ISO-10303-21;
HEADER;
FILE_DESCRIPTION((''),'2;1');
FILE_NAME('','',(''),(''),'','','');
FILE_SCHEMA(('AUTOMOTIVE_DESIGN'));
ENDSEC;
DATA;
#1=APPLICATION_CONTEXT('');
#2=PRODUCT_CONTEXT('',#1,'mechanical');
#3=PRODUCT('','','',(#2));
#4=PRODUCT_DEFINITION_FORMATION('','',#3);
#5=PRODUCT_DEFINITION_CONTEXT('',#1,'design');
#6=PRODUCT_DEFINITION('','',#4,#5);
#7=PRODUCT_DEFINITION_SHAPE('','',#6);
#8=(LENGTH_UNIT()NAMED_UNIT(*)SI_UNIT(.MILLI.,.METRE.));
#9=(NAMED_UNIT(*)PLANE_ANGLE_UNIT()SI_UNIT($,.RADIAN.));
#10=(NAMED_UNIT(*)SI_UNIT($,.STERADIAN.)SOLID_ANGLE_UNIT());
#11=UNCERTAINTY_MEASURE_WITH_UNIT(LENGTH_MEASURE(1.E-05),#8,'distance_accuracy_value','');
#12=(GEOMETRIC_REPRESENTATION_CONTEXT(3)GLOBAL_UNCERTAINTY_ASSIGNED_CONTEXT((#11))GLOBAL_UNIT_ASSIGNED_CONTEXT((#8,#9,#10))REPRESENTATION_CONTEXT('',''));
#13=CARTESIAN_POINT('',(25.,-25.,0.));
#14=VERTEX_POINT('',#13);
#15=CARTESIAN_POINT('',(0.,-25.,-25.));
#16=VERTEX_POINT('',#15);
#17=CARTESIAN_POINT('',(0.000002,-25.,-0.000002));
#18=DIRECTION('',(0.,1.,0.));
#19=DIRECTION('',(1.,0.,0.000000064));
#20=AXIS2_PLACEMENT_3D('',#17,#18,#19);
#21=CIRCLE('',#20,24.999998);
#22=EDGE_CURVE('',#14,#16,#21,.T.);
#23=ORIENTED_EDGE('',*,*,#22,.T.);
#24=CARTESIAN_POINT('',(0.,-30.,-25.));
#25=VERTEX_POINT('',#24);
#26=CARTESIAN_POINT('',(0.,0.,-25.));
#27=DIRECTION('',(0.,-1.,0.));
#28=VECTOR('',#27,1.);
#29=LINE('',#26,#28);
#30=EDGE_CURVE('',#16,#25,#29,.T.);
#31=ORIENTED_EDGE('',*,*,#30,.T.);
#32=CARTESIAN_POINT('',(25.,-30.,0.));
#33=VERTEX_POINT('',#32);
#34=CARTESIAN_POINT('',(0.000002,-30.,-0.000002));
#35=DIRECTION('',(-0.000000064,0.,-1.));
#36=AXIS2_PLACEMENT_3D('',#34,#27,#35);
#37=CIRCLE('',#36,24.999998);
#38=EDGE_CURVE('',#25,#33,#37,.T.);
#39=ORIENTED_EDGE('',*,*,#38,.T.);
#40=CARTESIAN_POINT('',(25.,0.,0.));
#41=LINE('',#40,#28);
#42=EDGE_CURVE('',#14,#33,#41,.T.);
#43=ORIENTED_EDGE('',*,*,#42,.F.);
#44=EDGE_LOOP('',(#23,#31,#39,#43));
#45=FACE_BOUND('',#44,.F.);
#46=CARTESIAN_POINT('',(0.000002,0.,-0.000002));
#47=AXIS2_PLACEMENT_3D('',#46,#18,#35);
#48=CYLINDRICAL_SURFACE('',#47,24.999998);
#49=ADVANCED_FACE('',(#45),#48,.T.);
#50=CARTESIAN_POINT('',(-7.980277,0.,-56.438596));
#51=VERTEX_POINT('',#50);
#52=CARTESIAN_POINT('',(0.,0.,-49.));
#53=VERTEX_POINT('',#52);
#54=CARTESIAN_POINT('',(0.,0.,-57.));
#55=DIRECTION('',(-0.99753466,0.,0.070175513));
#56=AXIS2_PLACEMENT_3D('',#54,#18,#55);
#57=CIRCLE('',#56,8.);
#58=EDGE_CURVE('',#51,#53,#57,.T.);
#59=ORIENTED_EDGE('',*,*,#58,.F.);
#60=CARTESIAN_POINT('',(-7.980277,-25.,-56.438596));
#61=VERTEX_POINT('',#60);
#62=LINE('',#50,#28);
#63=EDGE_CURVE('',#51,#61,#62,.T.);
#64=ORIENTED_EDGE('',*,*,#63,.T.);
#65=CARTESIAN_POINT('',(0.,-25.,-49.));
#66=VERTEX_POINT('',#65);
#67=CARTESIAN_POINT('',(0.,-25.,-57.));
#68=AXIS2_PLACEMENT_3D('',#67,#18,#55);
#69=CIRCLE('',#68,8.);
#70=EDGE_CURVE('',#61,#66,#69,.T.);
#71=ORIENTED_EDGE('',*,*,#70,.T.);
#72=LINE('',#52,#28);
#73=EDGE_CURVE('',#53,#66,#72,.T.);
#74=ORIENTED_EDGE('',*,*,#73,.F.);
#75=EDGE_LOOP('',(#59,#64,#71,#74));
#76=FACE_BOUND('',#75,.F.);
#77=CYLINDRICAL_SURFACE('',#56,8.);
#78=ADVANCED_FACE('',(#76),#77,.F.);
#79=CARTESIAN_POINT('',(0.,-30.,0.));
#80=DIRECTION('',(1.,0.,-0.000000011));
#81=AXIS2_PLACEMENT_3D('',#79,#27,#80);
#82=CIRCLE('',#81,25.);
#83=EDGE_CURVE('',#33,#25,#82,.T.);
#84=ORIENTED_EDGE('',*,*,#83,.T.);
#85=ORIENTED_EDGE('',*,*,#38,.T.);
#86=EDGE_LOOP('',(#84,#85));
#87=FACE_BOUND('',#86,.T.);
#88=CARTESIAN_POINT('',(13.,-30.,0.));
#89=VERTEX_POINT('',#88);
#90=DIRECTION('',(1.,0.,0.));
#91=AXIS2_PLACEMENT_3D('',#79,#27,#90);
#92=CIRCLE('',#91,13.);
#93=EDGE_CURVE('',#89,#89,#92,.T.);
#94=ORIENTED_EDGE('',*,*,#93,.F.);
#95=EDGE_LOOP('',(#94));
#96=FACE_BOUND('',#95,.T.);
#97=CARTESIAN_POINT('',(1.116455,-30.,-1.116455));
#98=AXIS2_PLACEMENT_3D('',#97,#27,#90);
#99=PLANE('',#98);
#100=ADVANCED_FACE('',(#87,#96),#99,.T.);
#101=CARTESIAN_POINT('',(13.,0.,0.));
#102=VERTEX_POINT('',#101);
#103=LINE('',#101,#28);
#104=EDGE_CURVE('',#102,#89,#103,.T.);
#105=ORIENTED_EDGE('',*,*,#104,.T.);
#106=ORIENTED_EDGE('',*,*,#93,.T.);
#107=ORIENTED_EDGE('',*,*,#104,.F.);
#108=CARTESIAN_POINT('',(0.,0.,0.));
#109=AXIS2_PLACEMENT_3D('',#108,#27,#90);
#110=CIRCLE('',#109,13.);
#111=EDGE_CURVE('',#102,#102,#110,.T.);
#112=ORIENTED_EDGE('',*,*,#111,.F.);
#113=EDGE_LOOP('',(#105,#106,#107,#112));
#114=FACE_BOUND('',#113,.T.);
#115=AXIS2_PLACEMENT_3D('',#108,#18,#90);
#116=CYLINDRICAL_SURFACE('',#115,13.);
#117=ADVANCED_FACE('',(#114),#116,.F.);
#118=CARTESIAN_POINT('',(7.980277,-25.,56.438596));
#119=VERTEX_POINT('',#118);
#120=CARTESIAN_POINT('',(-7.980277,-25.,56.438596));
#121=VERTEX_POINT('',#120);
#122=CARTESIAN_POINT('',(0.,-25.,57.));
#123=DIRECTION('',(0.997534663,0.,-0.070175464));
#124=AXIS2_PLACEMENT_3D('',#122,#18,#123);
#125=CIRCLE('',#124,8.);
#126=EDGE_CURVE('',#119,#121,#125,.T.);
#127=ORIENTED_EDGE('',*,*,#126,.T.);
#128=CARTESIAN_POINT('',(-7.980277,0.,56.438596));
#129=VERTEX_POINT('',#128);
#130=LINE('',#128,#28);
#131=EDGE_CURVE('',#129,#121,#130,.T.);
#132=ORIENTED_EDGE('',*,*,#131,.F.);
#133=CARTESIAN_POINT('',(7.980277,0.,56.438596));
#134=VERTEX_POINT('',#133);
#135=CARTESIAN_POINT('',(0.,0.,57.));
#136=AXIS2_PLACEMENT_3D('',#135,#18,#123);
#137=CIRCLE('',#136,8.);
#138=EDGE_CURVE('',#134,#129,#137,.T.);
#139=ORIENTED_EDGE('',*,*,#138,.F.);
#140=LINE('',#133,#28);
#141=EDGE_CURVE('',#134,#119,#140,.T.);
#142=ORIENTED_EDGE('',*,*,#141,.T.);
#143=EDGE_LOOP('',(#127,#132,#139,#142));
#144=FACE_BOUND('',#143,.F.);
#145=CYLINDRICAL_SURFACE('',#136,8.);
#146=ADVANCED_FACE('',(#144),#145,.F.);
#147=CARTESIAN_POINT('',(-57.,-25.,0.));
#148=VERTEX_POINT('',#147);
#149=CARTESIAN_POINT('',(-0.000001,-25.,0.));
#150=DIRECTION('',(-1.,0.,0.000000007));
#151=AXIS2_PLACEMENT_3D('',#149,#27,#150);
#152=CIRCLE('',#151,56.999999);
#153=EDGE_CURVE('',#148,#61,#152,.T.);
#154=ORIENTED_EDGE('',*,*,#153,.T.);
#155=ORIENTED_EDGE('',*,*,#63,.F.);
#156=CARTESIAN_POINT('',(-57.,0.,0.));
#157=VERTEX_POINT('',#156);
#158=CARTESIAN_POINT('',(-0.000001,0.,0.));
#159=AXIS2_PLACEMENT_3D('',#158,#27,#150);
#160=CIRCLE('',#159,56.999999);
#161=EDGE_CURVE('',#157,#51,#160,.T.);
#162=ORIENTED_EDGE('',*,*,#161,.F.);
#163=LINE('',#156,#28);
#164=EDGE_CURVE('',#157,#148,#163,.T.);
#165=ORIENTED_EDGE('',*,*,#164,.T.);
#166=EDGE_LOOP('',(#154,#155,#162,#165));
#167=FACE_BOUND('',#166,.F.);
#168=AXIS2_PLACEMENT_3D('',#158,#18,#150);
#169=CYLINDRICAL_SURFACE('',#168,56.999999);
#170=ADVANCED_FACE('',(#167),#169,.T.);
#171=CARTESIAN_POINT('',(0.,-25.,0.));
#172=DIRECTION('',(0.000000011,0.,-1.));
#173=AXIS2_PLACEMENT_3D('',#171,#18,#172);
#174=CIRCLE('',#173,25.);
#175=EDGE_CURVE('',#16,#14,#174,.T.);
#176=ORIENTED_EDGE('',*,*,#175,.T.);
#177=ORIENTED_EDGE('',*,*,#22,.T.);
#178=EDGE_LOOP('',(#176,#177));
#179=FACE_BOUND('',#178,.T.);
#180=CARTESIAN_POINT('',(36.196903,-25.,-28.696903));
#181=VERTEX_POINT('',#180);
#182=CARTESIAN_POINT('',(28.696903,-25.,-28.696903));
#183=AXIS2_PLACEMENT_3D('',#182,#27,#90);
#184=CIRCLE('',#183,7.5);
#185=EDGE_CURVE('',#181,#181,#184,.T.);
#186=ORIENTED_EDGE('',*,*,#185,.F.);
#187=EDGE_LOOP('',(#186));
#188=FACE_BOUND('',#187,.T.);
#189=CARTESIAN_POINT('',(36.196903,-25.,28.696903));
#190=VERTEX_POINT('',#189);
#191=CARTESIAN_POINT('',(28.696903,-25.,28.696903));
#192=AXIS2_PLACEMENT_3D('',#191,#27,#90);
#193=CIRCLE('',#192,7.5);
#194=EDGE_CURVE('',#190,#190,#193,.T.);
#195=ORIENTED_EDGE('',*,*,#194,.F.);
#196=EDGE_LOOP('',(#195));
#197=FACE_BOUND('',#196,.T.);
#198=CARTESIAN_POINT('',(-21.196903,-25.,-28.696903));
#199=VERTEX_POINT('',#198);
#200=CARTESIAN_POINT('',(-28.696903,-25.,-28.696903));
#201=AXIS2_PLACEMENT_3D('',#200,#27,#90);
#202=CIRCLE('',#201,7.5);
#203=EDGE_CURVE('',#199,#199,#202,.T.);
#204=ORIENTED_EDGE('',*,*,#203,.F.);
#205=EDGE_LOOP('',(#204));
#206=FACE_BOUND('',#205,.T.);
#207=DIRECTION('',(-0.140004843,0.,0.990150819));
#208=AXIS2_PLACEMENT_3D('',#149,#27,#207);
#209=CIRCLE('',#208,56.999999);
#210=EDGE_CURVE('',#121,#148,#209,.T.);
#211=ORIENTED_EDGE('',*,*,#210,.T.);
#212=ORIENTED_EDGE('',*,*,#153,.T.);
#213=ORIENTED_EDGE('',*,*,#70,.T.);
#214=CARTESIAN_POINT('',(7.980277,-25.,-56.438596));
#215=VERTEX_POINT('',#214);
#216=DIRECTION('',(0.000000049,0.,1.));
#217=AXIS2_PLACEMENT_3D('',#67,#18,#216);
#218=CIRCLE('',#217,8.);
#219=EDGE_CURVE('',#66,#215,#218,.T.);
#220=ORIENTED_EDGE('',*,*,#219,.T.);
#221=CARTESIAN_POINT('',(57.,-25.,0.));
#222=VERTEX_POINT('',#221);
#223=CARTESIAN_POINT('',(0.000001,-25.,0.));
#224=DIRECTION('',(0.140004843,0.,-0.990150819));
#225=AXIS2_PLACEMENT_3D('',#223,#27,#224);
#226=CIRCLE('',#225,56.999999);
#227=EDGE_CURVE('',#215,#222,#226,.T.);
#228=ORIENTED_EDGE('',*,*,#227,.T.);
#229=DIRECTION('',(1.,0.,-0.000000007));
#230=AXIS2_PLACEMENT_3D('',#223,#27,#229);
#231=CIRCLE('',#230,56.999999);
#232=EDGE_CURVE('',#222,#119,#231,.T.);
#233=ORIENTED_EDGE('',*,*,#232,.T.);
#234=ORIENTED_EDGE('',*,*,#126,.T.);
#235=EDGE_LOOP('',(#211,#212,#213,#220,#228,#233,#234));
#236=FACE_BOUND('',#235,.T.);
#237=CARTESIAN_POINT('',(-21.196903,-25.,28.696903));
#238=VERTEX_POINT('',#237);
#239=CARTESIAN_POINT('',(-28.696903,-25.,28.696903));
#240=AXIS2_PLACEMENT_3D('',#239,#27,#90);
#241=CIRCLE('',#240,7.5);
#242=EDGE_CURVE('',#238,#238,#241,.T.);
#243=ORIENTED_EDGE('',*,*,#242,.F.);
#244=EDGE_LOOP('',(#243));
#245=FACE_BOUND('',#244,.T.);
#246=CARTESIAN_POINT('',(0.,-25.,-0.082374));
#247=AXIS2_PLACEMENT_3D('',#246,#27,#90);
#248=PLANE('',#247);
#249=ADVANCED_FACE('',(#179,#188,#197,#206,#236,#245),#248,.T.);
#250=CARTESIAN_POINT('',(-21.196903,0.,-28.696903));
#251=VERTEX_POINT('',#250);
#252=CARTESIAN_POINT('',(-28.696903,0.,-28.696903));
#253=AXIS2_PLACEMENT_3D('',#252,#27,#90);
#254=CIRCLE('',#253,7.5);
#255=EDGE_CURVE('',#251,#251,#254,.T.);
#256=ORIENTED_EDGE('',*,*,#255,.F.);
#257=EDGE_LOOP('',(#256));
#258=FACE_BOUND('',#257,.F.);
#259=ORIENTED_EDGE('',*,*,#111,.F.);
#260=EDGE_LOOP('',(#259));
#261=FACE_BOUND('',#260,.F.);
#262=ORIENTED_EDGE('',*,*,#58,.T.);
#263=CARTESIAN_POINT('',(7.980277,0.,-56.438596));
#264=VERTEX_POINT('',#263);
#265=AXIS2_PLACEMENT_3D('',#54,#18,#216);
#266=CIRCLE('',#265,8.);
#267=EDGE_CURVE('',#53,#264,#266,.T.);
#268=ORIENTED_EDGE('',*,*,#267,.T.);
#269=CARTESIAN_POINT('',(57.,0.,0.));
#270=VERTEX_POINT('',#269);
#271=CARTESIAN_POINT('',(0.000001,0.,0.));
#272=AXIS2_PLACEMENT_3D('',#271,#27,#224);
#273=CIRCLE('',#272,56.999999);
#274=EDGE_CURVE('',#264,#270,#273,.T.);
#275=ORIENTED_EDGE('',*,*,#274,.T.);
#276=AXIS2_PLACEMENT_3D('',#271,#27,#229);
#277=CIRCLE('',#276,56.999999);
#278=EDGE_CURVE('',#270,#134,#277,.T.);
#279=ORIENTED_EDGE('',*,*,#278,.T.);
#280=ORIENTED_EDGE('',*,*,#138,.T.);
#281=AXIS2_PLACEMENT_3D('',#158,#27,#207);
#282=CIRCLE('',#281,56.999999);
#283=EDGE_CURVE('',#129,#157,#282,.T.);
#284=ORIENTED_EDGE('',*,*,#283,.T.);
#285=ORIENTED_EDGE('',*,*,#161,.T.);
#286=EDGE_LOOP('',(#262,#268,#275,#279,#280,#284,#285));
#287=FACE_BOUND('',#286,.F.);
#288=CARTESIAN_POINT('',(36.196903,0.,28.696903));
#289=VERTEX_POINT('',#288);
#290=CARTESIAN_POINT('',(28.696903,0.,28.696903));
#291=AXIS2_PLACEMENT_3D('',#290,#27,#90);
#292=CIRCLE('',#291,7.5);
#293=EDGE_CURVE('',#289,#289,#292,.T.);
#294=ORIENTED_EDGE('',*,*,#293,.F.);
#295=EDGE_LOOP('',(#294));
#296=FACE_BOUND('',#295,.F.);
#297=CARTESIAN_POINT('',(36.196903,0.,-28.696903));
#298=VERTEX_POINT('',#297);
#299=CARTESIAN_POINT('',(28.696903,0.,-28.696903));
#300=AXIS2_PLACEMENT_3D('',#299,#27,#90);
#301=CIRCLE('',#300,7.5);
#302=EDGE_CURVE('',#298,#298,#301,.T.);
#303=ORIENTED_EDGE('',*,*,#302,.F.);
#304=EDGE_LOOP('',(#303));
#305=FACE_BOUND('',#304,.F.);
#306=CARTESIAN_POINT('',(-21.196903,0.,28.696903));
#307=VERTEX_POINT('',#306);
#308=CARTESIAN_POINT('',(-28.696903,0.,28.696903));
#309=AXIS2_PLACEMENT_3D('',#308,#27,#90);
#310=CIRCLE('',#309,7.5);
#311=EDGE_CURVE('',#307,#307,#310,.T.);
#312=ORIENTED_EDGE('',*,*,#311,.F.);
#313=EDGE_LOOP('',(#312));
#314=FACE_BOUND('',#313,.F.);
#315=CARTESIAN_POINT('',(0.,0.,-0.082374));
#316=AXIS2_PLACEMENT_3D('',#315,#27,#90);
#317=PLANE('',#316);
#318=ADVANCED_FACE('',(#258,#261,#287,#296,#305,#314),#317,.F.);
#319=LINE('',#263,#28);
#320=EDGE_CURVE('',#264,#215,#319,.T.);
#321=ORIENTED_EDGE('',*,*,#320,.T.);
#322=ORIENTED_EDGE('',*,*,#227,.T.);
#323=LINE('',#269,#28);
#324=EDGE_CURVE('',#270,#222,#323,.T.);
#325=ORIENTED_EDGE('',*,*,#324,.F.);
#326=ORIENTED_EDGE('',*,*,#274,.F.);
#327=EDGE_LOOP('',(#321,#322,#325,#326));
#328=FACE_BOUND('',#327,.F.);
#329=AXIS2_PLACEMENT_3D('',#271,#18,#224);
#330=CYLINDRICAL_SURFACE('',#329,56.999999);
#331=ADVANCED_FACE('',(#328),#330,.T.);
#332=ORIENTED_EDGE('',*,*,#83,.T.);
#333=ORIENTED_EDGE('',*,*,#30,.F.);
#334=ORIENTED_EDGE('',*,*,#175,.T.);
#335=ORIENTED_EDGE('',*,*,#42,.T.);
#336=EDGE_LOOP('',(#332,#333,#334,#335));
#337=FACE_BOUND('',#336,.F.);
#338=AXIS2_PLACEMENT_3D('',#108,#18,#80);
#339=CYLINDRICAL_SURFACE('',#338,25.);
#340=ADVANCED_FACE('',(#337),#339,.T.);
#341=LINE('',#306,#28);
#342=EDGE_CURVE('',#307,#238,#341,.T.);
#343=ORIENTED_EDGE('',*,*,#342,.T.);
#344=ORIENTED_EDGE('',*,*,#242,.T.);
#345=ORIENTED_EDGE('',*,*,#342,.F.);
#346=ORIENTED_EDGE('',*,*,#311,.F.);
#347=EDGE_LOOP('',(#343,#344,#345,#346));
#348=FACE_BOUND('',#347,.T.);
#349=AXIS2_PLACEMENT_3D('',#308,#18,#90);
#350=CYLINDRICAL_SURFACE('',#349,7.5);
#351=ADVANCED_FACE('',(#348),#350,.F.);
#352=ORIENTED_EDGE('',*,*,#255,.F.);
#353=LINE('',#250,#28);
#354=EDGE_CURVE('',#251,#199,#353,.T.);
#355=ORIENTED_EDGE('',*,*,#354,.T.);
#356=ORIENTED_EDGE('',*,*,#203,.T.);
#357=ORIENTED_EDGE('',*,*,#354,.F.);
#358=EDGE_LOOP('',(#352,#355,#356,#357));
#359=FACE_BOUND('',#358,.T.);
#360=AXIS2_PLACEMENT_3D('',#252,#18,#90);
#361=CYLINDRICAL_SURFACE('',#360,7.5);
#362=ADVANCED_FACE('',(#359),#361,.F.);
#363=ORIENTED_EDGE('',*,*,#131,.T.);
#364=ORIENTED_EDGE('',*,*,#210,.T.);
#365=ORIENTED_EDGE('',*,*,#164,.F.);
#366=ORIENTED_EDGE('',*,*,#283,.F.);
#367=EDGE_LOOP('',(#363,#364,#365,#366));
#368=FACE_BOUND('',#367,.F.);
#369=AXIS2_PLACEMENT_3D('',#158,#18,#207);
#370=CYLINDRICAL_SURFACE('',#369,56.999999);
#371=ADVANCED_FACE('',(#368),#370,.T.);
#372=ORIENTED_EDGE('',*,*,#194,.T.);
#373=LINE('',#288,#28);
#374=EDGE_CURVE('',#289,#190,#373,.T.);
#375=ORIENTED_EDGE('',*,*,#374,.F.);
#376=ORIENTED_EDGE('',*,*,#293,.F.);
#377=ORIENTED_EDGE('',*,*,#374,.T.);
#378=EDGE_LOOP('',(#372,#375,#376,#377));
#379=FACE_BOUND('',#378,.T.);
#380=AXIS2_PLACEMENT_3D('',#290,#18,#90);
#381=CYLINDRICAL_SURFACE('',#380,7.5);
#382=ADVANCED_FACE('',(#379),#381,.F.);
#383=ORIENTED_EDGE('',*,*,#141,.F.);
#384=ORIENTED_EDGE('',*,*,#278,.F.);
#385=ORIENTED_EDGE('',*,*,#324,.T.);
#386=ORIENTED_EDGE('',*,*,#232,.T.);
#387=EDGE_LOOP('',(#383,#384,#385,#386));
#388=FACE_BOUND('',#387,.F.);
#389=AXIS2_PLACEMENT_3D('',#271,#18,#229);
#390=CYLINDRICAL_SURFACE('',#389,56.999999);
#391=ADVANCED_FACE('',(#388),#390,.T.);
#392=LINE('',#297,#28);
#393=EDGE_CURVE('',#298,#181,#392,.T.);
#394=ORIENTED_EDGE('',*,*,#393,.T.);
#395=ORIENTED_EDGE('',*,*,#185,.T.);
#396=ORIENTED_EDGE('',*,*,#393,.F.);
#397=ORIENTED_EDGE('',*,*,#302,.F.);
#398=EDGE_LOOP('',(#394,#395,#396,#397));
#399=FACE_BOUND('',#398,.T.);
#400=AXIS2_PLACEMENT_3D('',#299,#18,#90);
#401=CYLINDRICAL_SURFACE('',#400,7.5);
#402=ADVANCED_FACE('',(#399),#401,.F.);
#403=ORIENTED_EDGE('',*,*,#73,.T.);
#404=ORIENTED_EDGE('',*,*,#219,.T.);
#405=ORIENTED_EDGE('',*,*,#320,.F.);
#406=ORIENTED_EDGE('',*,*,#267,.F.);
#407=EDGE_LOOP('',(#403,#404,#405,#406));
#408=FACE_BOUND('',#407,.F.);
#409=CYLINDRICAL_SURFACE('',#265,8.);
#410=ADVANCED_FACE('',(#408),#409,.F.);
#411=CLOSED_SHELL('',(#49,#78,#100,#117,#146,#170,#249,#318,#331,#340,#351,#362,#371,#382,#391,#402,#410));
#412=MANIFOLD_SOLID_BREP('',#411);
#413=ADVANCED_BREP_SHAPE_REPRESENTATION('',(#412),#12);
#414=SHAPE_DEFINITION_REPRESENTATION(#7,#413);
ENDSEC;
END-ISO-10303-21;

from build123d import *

# Parameters (mm, degrees)
F0_R     = 7.5
F1_DEPTH = 25
F0_R_2   = 13
F2_DEPTH = 30


with BuildPart() as f1:
    # F0 (on Front) → F1 (new body)
    with BuildSketch(Plane.XZ):
        with BuildLine():
            ThreePointArc((7.980277, 56.438596), (0, 49), (-7.980277, 56.438596))
            ThreePointArc((-7.980277, 56.438596), (-43.034148, 37.377294), (-57, 0))
            ThreePointArc((-57, 0), (-43.034148, -37.377294), (-7.980277, -56.438596))
            ThreePointArc((-7.980277, -56.438596), (-5.454758, -51.148025), (0, -49))
            ThreePointArc((0, -49), (5.454758, -51.148025), (7.980277, -56.438596))
            ThreePointArc((7.980277, -56.438596), (43.034148, -37.377294), (57, 0))
            ThreePointArc((57, 0), (43.034148, 37.377294), (7.980277, 56.438596))
        make_face()
        with Locations((-28.696903, -28.696903)):
            Circle(F0_R, mode=Mode.SUBTRACT)
        with Locations((28.696903, -28.696903)):
            Circle(F0_R, mode=Mode.SUBTRACT)
        with Locations((-28.696903, 28.696903)):
            Circle(F0_R, mode=Mode.SUBTRACT)
        with BuildLine():
            ThreePointArc((25, 0), (17.67767, -17.67767), (0, -25))
            ThreePointArc((0, -25), (-17.67767, 17.67767), (25, 0))
        make_face(mode=Mode.SUBTRACT)
        with Locations((28.696903, 28.696903)):
            Circle(F0_R, mode=Mode.SUBTRACT)
    extrude(amount=F1_DEPTH)

    # F0 (on Front) → F2 (join)
    with BuildSketch(Plane.XZ):
        with BuildLine():
            ThreePointArc((25, 0), (-17.67767, 17.67767), (0, -25))
            ThreePointArc((0, -25), (17.67767, -17.67767), (25, 0))
        make_face()
        Circle(F0_R_2, mode=Mode.SUBTRACT)
    extrude(amount=F2_DEPTH)


solid = f1.part
